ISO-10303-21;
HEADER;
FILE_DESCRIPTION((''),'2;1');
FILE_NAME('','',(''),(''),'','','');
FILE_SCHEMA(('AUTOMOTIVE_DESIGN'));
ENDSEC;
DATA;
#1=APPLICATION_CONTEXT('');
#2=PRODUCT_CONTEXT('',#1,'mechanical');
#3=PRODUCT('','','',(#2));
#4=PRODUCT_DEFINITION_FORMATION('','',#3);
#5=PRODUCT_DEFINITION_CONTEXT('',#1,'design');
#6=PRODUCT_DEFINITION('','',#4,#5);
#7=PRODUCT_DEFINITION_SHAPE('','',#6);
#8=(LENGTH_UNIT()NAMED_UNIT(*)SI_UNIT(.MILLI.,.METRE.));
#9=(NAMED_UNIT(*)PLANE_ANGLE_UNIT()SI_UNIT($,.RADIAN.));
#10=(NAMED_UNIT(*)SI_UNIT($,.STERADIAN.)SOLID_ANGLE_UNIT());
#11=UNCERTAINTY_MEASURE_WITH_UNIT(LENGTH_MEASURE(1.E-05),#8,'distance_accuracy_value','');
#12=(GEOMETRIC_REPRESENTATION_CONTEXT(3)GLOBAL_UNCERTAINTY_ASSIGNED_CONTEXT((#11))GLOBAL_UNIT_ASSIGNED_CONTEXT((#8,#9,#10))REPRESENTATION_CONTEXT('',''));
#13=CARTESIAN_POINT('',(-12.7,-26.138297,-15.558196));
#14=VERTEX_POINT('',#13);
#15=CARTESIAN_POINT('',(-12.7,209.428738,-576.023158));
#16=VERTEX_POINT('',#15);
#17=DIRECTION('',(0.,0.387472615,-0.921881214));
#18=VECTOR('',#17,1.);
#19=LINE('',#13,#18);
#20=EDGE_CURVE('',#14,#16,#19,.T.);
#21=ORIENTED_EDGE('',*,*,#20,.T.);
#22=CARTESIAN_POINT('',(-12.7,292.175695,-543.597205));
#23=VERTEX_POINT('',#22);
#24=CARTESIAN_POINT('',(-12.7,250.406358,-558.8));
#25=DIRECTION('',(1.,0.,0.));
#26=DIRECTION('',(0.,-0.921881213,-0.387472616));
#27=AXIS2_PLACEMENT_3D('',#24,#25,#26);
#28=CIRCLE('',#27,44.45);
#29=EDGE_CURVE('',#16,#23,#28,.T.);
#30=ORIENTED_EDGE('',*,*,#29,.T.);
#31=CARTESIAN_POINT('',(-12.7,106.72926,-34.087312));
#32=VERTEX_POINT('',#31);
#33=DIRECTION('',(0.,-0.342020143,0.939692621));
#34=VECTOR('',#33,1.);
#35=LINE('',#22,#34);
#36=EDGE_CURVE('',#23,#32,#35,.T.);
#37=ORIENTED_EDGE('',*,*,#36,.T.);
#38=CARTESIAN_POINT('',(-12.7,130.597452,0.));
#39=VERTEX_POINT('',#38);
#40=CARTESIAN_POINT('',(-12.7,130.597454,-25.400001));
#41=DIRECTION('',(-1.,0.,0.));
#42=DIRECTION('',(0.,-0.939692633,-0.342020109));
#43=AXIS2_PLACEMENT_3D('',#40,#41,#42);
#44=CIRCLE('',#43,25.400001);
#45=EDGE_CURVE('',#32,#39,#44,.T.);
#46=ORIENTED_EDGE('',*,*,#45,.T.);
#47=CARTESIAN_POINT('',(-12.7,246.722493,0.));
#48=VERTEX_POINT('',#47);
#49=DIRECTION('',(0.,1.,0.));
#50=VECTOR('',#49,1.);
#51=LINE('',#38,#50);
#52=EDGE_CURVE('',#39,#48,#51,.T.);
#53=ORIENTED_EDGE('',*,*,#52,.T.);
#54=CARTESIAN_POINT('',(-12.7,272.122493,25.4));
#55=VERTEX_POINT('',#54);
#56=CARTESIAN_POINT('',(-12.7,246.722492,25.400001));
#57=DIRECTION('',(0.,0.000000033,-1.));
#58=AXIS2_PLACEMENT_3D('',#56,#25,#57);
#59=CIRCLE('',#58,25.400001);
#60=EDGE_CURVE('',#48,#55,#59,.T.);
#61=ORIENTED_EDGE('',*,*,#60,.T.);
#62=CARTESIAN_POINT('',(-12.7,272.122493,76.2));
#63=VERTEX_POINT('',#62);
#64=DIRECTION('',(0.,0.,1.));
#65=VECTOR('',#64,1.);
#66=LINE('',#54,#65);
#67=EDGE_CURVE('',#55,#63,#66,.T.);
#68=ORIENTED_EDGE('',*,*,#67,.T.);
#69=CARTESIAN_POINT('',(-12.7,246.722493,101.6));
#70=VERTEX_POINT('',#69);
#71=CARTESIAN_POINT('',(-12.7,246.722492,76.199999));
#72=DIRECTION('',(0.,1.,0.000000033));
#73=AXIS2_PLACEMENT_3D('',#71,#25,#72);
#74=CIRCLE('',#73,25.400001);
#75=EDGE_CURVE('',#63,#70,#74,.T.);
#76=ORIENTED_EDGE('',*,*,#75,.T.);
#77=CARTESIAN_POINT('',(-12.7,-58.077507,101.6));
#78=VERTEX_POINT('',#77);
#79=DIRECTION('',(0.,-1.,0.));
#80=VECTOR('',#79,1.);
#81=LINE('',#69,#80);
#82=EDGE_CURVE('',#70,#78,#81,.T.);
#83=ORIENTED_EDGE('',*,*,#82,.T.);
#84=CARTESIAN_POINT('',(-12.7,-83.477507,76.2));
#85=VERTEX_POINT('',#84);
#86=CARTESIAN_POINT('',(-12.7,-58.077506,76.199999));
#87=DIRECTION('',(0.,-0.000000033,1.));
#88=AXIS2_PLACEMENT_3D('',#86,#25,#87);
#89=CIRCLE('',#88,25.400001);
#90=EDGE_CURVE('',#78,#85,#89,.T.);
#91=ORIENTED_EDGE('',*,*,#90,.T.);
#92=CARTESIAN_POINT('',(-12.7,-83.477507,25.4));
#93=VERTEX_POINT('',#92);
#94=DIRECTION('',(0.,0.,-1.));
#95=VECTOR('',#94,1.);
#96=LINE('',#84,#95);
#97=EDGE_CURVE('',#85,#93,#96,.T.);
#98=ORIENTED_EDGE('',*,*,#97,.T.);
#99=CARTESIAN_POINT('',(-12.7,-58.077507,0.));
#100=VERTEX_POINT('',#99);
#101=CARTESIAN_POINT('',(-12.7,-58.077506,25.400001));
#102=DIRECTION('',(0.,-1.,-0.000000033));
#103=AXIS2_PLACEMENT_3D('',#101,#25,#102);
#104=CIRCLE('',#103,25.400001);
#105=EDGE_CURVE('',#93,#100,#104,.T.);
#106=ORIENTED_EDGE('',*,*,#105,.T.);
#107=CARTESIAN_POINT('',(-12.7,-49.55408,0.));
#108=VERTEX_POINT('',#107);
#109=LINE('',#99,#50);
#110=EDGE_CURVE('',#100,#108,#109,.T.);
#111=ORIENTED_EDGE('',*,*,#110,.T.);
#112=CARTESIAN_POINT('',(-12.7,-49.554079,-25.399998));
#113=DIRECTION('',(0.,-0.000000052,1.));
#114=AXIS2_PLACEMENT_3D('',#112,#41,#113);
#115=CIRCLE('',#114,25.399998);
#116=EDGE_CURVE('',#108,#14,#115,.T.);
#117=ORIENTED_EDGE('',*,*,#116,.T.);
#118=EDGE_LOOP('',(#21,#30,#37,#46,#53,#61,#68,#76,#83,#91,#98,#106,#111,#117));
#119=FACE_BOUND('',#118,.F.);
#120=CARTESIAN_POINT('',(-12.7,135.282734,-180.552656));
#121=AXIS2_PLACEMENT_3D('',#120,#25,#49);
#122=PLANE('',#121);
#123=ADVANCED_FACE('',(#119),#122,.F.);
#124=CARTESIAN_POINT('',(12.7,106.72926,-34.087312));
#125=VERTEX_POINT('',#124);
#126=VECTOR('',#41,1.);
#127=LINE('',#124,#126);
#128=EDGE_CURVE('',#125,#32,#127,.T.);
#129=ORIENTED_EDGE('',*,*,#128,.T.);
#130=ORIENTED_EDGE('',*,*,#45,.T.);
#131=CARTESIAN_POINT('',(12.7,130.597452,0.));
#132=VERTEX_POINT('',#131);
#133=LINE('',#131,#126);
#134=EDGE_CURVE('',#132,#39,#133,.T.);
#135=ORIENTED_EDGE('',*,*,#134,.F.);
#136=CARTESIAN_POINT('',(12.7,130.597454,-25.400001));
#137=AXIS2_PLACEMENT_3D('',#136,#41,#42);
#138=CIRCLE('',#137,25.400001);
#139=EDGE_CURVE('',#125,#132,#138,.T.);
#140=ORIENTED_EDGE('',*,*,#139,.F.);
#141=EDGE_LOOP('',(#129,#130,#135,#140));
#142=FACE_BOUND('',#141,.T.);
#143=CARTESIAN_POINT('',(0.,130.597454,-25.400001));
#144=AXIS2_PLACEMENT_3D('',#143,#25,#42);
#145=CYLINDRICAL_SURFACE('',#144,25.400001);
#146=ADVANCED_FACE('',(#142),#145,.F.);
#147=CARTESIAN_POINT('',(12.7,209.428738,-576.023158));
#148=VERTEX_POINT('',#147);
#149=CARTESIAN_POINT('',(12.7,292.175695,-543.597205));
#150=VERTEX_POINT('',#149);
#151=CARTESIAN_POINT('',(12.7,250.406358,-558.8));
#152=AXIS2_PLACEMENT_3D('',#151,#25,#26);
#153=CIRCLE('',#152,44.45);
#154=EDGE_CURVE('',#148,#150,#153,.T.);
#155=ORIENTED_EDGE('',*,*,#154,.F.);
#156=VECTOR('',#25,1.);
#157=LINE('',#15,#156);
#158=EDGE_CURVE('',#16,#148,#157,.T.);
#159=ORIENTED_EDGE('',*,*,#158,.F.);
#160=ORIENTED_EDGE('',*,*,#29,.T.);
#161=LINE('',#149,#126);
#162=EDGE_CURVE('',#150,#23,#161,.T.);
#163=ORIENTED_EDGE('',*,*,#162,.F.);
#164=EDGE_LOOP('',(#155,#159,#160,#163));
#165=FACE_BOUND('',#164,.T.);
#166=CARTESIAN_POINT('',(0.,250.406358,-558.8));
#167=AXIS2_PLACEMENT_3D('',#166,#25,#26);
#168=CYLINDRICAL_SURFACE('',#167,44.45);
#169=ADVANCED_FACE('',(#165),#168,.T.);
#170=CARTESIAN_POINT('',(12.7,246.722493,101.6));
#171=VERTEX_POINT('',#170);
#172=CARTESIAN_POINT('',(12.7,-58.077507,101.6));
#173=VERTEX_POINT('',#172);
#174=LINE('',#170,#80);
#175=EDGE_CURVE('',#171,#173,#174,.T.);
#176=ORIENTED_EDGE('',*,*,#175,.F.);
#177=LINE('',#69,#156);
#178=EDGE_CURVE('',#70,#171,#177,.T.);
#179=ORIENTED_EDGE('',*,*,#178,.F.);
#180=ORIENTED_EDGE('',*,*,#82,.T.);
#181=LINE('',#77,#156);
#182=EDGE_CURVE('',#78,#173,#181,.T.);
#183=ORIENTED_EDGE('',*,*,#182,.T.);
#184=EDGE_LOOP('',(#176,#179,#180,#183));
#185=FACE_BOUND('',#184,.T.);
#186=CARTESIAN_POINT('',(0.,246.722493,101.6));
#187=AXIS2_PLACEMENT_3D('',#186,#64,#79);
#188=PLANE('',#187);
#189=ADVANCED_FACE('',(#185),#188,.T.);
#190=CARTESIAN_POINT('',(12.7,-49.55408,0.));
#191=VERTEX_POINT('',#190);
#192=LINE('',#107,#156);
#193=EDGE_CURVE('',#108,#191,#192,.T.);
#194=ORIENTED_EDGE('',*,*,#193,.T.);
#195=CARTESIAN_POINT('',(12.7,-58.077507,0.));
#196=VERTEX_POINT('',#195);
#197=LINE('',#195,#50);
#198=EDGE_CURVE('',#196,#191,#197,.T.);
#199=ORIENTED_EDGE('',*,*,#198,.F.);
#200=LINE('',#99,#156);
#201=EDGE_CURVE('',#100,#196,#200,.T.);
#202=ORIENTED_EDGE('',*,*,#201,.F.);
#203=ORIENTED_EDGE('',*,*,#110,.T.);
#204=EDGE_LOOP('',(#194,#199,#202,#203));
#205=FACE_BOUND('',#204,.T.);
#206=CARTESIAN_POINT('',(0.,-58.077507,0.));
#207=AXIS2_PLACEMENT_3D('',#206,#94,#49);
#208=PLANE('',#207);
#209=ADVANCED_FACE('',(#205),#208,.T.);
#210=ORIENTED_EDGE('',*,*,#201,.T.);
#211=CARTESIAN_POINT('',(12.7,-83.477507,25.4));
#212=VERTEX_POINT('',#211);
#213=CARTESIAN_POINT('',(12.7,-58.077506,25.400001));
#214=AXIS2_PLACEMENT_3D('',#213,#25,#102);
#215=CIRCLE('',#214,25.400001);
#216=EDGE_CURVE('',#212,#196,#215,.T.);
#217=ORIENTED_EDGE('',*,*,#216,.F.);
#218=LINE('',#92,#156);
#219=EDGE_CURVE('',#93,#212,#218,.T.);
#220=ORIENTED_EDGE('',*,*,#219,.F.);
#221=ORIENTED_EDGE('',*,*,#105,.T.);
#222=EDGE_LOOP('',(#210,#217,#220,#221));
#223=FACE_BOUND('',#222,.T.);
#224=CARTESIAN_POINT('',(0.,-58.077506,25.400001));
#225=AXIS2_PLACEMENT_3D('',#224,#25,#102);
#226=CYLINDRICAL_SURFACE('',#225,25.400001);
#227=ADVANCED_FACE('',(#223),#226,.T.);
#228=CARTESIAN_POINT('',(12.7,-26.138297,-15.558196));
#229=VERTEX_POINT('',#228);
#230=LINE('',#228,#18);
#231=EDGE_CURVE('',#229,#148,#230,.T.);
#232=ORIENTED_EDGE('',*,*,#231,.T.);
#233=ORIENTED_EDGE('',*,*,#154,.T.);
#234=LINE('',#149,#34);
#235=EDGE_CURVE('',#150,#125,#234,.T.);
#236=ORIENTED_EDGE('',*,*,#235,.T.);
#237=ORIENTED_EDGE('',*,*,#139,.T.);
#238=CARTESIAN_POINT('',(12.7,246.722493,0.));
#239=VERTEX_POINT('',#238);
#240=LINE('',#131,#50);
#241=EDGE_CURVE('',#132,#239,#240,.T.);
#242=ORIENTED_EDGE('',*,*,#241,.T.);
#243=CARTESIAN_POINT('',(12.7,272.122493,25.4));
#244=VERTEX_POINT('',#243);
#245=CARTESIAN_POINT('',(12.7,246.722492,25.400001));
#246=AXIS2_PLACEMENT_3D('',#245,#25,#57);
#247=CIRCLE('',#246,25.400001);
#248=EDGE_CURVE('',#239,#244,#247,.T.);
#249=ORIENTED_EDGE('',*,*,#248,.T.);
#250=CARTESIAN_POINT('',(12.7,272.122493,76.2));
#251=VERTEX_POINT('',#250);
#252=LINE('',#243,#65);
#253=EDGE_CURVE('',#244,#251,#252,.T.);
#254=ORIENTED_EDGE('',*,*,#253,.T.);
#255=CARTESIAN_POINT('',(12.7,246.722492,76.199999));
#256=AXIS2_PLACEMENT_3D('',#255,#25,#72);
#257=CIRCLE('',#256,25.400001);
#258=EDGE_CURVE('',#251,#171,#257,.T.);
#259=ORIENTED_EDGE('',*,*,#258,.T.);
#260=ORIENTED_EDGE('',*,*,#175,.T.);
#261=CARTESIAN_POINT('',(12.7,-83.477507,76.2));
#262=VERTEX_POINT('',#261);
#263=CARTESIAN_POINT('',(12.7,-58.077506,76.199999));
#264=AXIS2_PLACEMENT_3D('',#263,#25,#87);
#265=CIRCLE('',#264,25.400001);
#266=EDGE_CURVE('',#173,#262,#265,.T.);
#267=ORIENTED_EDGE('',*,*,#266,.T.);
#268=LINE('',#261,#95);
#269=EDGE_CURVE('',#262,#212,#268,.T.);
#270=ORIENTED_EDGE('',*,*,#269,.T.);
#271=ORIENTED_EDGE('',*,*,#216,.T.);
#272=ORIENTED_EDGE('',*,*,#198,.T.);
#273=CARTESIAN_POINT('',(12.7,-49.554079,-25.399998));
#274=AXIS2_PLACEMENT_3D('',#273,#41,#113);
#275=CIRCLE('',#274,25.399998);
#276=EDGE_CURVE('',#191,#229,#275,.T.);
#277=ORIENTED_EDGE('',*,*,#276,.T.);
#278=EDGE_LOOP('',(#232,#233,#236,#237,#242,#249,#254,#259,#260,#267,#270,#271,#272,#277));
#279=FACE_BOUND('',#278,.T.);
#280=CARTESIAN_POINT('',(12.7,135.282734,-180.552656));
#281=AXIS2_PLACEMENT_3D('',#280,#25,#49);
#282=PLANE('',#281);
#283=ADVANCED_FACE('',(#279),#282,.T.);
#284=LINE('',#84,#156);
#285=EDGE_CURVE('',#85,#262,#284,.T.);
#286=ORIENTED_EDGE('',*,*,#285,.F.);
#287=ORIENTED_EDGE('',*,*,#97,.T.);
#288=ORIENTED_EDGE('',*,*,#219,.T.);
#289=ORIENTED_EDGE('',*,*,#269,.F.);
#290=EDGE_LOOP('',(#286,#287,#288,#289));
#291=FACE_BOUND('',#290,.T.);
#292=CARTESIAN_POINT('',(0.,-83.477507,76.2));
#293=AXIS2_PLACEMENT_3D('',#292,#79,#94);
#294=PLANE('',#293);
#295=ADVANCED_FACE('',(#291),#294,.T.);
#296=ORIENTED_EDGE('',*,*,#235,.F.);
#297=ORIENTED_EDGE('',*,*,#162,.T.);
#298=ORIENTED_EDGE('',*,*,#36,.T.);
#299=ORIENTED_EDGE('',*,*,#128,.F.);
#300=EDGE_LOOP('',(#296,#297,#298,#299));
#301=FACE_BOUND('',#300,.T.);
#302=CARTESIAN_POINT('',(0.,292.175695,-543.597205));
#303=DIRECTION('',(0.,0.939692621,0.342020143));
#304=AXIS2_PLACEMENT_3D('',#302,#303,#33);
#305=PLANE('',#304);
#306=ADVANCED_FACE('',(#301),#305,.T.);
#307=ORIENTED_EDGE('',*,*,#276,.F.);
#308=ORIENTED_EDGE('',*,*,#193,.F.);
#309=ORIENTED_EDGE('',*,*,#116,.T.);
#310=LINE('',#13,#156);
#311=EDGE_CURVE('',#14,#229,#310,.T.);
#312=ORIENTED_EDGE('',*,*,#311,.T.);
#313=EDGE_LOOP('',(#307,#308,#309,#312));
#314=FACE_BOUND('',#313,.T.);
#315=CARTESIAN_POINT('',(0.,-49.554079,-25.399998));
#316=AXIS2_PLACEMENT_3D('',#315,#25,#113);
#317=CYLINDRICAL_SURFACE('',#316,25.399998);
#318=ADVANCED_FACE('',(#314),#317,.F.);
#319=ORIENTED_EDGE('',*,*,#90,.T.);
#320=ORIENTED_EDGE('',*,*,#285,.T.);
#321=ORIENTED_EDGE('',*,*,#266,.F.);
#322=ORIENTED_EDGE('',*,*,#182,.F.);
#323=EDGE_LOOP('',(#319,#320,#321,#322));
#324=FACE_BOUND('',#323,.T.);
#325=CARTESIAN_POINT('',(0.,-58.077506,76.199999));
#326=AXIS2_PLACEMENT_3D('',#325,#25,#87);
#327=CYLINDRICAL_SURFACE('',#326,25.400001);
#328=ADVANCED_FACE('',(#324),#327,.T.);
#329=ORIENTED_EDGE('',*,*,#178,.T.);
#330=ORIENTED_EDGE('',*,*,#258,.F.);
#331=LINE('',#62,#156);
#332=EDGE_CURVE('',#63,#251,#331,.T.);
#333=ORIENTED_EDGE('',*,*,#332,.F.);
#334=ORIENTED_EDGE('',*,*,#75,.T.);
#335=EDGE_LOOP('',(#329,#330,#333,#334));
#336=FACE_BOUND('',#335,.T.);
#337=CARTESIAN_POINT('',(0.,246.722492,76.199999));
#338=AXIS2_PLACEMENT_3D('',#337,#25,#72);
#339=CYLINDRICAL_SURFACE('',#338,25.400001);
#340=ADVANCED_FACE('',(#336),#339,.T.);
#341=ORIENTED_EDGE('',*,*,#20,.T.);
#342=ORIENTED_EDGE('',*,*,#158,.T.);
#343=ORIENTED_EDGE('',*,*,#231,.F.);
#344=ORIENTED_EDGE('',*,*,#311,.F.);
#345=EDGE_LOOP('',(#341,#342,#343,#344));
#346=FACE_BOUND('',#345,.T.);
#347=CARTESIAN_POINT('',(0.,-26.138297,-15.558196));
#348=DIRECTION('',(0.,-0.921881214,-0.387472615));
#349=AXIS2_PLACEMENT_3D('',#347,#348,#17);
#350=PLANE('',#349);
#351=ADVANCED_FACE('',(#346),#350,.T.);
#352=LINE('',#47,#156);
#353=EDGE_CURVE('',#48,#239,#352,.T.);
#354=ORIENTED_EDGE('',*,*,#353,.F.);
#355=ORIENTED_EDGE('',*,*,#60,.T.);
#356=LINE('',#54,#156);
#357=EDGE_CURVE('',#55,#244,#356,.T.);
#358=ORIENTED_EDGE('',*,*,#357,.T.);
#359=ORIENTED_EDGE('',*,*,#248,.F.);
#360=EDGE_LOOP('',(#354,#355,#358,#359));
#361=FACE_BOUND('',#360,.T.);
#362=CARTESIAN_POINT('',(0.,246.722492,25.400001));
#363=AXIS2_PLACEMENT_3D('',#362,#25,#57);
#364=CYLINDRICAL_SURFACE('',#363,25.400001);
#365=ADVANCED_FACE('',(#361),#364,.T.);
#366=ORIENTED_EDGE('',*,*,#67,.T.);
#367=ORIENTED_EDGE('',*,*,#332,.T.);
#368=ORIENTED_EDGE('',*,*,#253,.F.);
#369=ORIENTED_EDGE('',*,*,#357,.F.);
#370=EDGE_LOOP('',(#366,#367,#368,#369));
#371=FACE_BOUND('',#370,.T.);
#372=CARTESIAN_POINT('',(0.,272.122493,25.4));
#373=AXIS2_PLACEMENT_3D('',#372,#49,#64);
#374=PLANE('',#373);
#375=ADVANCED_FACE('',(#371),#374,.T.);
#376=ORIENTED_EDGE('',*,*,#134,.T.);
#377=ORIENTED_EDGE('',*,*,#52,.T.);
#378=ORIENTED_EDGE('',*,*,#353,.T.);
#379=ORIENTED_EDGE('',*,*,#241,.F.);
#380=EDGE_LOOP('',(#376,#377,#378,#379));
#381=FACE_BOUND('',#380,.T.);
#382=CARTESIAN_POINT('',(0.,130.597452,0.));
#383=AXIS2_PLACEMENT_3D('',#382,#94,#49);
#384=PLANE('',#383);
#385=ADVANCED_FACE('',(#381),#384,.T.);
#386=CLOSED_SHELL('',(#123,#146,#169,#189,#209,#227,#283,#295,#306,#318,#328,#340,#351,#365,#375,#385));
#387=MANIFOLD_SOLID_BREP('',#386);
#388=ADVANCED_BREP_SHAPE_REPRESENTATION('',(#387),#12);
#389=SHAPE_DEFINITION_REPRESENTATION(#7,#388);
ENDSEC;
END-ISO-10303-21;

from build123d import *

# Parameters (mm, degrees)
F1_DEPTH = 12.7


with BuildPart() as f1:
    # F0 (on Right) → F1 (new body, symmetric)
    with BuildSketch(Plane.YZ):
        with BuildLine():
            Line((130.597452, 0), (246.722493, 0))
            ThreePointArc((246.722493, 0), (264.683005, 7.439488), (272.122493, 25.4))
            Line((272.122493, 25.4), (272.122493, 76.2))
            ThreePointArc((272.122493, 76.2), (264.683005, 94.160512), (246.722493, 101.6))
            Line((246.722493, 101.6), (-58.077507, 101.6))
            ThreePointArc((-58.077507, 101.6), (-76.038019, 94.160512), (-83.477507, 76.2))
            Line((-83.477507, 76.2), (-83.477507, 25.4))
            ThreePointArc((-83.477507, 25.4), (-76.038019, 7.439488), (-58.077507, 0))
            Line((-58.077507, 0), (-49.55408, 0))
            ThreePointArc((-49.55408, 0), (-35.497441, -4.244128), (-26.138297, -15.558196))
            Line((-26.138297, -15.558196), (209.428738, -576.023158))
            ThreePointArc((209.428738, -576.023158), (266.624167, -600.185809), (292.175695, -543.597205))
            Line((292.175695, -543.597205), (106.72926, -34.087312))
            ThreePointArc((106.72926, -34.087312), (109.790991, -10.831159), (130.597452, 0))
        make_face()
    extrude(amount=F1_DEPTH, both=True)


solid = f1.part
